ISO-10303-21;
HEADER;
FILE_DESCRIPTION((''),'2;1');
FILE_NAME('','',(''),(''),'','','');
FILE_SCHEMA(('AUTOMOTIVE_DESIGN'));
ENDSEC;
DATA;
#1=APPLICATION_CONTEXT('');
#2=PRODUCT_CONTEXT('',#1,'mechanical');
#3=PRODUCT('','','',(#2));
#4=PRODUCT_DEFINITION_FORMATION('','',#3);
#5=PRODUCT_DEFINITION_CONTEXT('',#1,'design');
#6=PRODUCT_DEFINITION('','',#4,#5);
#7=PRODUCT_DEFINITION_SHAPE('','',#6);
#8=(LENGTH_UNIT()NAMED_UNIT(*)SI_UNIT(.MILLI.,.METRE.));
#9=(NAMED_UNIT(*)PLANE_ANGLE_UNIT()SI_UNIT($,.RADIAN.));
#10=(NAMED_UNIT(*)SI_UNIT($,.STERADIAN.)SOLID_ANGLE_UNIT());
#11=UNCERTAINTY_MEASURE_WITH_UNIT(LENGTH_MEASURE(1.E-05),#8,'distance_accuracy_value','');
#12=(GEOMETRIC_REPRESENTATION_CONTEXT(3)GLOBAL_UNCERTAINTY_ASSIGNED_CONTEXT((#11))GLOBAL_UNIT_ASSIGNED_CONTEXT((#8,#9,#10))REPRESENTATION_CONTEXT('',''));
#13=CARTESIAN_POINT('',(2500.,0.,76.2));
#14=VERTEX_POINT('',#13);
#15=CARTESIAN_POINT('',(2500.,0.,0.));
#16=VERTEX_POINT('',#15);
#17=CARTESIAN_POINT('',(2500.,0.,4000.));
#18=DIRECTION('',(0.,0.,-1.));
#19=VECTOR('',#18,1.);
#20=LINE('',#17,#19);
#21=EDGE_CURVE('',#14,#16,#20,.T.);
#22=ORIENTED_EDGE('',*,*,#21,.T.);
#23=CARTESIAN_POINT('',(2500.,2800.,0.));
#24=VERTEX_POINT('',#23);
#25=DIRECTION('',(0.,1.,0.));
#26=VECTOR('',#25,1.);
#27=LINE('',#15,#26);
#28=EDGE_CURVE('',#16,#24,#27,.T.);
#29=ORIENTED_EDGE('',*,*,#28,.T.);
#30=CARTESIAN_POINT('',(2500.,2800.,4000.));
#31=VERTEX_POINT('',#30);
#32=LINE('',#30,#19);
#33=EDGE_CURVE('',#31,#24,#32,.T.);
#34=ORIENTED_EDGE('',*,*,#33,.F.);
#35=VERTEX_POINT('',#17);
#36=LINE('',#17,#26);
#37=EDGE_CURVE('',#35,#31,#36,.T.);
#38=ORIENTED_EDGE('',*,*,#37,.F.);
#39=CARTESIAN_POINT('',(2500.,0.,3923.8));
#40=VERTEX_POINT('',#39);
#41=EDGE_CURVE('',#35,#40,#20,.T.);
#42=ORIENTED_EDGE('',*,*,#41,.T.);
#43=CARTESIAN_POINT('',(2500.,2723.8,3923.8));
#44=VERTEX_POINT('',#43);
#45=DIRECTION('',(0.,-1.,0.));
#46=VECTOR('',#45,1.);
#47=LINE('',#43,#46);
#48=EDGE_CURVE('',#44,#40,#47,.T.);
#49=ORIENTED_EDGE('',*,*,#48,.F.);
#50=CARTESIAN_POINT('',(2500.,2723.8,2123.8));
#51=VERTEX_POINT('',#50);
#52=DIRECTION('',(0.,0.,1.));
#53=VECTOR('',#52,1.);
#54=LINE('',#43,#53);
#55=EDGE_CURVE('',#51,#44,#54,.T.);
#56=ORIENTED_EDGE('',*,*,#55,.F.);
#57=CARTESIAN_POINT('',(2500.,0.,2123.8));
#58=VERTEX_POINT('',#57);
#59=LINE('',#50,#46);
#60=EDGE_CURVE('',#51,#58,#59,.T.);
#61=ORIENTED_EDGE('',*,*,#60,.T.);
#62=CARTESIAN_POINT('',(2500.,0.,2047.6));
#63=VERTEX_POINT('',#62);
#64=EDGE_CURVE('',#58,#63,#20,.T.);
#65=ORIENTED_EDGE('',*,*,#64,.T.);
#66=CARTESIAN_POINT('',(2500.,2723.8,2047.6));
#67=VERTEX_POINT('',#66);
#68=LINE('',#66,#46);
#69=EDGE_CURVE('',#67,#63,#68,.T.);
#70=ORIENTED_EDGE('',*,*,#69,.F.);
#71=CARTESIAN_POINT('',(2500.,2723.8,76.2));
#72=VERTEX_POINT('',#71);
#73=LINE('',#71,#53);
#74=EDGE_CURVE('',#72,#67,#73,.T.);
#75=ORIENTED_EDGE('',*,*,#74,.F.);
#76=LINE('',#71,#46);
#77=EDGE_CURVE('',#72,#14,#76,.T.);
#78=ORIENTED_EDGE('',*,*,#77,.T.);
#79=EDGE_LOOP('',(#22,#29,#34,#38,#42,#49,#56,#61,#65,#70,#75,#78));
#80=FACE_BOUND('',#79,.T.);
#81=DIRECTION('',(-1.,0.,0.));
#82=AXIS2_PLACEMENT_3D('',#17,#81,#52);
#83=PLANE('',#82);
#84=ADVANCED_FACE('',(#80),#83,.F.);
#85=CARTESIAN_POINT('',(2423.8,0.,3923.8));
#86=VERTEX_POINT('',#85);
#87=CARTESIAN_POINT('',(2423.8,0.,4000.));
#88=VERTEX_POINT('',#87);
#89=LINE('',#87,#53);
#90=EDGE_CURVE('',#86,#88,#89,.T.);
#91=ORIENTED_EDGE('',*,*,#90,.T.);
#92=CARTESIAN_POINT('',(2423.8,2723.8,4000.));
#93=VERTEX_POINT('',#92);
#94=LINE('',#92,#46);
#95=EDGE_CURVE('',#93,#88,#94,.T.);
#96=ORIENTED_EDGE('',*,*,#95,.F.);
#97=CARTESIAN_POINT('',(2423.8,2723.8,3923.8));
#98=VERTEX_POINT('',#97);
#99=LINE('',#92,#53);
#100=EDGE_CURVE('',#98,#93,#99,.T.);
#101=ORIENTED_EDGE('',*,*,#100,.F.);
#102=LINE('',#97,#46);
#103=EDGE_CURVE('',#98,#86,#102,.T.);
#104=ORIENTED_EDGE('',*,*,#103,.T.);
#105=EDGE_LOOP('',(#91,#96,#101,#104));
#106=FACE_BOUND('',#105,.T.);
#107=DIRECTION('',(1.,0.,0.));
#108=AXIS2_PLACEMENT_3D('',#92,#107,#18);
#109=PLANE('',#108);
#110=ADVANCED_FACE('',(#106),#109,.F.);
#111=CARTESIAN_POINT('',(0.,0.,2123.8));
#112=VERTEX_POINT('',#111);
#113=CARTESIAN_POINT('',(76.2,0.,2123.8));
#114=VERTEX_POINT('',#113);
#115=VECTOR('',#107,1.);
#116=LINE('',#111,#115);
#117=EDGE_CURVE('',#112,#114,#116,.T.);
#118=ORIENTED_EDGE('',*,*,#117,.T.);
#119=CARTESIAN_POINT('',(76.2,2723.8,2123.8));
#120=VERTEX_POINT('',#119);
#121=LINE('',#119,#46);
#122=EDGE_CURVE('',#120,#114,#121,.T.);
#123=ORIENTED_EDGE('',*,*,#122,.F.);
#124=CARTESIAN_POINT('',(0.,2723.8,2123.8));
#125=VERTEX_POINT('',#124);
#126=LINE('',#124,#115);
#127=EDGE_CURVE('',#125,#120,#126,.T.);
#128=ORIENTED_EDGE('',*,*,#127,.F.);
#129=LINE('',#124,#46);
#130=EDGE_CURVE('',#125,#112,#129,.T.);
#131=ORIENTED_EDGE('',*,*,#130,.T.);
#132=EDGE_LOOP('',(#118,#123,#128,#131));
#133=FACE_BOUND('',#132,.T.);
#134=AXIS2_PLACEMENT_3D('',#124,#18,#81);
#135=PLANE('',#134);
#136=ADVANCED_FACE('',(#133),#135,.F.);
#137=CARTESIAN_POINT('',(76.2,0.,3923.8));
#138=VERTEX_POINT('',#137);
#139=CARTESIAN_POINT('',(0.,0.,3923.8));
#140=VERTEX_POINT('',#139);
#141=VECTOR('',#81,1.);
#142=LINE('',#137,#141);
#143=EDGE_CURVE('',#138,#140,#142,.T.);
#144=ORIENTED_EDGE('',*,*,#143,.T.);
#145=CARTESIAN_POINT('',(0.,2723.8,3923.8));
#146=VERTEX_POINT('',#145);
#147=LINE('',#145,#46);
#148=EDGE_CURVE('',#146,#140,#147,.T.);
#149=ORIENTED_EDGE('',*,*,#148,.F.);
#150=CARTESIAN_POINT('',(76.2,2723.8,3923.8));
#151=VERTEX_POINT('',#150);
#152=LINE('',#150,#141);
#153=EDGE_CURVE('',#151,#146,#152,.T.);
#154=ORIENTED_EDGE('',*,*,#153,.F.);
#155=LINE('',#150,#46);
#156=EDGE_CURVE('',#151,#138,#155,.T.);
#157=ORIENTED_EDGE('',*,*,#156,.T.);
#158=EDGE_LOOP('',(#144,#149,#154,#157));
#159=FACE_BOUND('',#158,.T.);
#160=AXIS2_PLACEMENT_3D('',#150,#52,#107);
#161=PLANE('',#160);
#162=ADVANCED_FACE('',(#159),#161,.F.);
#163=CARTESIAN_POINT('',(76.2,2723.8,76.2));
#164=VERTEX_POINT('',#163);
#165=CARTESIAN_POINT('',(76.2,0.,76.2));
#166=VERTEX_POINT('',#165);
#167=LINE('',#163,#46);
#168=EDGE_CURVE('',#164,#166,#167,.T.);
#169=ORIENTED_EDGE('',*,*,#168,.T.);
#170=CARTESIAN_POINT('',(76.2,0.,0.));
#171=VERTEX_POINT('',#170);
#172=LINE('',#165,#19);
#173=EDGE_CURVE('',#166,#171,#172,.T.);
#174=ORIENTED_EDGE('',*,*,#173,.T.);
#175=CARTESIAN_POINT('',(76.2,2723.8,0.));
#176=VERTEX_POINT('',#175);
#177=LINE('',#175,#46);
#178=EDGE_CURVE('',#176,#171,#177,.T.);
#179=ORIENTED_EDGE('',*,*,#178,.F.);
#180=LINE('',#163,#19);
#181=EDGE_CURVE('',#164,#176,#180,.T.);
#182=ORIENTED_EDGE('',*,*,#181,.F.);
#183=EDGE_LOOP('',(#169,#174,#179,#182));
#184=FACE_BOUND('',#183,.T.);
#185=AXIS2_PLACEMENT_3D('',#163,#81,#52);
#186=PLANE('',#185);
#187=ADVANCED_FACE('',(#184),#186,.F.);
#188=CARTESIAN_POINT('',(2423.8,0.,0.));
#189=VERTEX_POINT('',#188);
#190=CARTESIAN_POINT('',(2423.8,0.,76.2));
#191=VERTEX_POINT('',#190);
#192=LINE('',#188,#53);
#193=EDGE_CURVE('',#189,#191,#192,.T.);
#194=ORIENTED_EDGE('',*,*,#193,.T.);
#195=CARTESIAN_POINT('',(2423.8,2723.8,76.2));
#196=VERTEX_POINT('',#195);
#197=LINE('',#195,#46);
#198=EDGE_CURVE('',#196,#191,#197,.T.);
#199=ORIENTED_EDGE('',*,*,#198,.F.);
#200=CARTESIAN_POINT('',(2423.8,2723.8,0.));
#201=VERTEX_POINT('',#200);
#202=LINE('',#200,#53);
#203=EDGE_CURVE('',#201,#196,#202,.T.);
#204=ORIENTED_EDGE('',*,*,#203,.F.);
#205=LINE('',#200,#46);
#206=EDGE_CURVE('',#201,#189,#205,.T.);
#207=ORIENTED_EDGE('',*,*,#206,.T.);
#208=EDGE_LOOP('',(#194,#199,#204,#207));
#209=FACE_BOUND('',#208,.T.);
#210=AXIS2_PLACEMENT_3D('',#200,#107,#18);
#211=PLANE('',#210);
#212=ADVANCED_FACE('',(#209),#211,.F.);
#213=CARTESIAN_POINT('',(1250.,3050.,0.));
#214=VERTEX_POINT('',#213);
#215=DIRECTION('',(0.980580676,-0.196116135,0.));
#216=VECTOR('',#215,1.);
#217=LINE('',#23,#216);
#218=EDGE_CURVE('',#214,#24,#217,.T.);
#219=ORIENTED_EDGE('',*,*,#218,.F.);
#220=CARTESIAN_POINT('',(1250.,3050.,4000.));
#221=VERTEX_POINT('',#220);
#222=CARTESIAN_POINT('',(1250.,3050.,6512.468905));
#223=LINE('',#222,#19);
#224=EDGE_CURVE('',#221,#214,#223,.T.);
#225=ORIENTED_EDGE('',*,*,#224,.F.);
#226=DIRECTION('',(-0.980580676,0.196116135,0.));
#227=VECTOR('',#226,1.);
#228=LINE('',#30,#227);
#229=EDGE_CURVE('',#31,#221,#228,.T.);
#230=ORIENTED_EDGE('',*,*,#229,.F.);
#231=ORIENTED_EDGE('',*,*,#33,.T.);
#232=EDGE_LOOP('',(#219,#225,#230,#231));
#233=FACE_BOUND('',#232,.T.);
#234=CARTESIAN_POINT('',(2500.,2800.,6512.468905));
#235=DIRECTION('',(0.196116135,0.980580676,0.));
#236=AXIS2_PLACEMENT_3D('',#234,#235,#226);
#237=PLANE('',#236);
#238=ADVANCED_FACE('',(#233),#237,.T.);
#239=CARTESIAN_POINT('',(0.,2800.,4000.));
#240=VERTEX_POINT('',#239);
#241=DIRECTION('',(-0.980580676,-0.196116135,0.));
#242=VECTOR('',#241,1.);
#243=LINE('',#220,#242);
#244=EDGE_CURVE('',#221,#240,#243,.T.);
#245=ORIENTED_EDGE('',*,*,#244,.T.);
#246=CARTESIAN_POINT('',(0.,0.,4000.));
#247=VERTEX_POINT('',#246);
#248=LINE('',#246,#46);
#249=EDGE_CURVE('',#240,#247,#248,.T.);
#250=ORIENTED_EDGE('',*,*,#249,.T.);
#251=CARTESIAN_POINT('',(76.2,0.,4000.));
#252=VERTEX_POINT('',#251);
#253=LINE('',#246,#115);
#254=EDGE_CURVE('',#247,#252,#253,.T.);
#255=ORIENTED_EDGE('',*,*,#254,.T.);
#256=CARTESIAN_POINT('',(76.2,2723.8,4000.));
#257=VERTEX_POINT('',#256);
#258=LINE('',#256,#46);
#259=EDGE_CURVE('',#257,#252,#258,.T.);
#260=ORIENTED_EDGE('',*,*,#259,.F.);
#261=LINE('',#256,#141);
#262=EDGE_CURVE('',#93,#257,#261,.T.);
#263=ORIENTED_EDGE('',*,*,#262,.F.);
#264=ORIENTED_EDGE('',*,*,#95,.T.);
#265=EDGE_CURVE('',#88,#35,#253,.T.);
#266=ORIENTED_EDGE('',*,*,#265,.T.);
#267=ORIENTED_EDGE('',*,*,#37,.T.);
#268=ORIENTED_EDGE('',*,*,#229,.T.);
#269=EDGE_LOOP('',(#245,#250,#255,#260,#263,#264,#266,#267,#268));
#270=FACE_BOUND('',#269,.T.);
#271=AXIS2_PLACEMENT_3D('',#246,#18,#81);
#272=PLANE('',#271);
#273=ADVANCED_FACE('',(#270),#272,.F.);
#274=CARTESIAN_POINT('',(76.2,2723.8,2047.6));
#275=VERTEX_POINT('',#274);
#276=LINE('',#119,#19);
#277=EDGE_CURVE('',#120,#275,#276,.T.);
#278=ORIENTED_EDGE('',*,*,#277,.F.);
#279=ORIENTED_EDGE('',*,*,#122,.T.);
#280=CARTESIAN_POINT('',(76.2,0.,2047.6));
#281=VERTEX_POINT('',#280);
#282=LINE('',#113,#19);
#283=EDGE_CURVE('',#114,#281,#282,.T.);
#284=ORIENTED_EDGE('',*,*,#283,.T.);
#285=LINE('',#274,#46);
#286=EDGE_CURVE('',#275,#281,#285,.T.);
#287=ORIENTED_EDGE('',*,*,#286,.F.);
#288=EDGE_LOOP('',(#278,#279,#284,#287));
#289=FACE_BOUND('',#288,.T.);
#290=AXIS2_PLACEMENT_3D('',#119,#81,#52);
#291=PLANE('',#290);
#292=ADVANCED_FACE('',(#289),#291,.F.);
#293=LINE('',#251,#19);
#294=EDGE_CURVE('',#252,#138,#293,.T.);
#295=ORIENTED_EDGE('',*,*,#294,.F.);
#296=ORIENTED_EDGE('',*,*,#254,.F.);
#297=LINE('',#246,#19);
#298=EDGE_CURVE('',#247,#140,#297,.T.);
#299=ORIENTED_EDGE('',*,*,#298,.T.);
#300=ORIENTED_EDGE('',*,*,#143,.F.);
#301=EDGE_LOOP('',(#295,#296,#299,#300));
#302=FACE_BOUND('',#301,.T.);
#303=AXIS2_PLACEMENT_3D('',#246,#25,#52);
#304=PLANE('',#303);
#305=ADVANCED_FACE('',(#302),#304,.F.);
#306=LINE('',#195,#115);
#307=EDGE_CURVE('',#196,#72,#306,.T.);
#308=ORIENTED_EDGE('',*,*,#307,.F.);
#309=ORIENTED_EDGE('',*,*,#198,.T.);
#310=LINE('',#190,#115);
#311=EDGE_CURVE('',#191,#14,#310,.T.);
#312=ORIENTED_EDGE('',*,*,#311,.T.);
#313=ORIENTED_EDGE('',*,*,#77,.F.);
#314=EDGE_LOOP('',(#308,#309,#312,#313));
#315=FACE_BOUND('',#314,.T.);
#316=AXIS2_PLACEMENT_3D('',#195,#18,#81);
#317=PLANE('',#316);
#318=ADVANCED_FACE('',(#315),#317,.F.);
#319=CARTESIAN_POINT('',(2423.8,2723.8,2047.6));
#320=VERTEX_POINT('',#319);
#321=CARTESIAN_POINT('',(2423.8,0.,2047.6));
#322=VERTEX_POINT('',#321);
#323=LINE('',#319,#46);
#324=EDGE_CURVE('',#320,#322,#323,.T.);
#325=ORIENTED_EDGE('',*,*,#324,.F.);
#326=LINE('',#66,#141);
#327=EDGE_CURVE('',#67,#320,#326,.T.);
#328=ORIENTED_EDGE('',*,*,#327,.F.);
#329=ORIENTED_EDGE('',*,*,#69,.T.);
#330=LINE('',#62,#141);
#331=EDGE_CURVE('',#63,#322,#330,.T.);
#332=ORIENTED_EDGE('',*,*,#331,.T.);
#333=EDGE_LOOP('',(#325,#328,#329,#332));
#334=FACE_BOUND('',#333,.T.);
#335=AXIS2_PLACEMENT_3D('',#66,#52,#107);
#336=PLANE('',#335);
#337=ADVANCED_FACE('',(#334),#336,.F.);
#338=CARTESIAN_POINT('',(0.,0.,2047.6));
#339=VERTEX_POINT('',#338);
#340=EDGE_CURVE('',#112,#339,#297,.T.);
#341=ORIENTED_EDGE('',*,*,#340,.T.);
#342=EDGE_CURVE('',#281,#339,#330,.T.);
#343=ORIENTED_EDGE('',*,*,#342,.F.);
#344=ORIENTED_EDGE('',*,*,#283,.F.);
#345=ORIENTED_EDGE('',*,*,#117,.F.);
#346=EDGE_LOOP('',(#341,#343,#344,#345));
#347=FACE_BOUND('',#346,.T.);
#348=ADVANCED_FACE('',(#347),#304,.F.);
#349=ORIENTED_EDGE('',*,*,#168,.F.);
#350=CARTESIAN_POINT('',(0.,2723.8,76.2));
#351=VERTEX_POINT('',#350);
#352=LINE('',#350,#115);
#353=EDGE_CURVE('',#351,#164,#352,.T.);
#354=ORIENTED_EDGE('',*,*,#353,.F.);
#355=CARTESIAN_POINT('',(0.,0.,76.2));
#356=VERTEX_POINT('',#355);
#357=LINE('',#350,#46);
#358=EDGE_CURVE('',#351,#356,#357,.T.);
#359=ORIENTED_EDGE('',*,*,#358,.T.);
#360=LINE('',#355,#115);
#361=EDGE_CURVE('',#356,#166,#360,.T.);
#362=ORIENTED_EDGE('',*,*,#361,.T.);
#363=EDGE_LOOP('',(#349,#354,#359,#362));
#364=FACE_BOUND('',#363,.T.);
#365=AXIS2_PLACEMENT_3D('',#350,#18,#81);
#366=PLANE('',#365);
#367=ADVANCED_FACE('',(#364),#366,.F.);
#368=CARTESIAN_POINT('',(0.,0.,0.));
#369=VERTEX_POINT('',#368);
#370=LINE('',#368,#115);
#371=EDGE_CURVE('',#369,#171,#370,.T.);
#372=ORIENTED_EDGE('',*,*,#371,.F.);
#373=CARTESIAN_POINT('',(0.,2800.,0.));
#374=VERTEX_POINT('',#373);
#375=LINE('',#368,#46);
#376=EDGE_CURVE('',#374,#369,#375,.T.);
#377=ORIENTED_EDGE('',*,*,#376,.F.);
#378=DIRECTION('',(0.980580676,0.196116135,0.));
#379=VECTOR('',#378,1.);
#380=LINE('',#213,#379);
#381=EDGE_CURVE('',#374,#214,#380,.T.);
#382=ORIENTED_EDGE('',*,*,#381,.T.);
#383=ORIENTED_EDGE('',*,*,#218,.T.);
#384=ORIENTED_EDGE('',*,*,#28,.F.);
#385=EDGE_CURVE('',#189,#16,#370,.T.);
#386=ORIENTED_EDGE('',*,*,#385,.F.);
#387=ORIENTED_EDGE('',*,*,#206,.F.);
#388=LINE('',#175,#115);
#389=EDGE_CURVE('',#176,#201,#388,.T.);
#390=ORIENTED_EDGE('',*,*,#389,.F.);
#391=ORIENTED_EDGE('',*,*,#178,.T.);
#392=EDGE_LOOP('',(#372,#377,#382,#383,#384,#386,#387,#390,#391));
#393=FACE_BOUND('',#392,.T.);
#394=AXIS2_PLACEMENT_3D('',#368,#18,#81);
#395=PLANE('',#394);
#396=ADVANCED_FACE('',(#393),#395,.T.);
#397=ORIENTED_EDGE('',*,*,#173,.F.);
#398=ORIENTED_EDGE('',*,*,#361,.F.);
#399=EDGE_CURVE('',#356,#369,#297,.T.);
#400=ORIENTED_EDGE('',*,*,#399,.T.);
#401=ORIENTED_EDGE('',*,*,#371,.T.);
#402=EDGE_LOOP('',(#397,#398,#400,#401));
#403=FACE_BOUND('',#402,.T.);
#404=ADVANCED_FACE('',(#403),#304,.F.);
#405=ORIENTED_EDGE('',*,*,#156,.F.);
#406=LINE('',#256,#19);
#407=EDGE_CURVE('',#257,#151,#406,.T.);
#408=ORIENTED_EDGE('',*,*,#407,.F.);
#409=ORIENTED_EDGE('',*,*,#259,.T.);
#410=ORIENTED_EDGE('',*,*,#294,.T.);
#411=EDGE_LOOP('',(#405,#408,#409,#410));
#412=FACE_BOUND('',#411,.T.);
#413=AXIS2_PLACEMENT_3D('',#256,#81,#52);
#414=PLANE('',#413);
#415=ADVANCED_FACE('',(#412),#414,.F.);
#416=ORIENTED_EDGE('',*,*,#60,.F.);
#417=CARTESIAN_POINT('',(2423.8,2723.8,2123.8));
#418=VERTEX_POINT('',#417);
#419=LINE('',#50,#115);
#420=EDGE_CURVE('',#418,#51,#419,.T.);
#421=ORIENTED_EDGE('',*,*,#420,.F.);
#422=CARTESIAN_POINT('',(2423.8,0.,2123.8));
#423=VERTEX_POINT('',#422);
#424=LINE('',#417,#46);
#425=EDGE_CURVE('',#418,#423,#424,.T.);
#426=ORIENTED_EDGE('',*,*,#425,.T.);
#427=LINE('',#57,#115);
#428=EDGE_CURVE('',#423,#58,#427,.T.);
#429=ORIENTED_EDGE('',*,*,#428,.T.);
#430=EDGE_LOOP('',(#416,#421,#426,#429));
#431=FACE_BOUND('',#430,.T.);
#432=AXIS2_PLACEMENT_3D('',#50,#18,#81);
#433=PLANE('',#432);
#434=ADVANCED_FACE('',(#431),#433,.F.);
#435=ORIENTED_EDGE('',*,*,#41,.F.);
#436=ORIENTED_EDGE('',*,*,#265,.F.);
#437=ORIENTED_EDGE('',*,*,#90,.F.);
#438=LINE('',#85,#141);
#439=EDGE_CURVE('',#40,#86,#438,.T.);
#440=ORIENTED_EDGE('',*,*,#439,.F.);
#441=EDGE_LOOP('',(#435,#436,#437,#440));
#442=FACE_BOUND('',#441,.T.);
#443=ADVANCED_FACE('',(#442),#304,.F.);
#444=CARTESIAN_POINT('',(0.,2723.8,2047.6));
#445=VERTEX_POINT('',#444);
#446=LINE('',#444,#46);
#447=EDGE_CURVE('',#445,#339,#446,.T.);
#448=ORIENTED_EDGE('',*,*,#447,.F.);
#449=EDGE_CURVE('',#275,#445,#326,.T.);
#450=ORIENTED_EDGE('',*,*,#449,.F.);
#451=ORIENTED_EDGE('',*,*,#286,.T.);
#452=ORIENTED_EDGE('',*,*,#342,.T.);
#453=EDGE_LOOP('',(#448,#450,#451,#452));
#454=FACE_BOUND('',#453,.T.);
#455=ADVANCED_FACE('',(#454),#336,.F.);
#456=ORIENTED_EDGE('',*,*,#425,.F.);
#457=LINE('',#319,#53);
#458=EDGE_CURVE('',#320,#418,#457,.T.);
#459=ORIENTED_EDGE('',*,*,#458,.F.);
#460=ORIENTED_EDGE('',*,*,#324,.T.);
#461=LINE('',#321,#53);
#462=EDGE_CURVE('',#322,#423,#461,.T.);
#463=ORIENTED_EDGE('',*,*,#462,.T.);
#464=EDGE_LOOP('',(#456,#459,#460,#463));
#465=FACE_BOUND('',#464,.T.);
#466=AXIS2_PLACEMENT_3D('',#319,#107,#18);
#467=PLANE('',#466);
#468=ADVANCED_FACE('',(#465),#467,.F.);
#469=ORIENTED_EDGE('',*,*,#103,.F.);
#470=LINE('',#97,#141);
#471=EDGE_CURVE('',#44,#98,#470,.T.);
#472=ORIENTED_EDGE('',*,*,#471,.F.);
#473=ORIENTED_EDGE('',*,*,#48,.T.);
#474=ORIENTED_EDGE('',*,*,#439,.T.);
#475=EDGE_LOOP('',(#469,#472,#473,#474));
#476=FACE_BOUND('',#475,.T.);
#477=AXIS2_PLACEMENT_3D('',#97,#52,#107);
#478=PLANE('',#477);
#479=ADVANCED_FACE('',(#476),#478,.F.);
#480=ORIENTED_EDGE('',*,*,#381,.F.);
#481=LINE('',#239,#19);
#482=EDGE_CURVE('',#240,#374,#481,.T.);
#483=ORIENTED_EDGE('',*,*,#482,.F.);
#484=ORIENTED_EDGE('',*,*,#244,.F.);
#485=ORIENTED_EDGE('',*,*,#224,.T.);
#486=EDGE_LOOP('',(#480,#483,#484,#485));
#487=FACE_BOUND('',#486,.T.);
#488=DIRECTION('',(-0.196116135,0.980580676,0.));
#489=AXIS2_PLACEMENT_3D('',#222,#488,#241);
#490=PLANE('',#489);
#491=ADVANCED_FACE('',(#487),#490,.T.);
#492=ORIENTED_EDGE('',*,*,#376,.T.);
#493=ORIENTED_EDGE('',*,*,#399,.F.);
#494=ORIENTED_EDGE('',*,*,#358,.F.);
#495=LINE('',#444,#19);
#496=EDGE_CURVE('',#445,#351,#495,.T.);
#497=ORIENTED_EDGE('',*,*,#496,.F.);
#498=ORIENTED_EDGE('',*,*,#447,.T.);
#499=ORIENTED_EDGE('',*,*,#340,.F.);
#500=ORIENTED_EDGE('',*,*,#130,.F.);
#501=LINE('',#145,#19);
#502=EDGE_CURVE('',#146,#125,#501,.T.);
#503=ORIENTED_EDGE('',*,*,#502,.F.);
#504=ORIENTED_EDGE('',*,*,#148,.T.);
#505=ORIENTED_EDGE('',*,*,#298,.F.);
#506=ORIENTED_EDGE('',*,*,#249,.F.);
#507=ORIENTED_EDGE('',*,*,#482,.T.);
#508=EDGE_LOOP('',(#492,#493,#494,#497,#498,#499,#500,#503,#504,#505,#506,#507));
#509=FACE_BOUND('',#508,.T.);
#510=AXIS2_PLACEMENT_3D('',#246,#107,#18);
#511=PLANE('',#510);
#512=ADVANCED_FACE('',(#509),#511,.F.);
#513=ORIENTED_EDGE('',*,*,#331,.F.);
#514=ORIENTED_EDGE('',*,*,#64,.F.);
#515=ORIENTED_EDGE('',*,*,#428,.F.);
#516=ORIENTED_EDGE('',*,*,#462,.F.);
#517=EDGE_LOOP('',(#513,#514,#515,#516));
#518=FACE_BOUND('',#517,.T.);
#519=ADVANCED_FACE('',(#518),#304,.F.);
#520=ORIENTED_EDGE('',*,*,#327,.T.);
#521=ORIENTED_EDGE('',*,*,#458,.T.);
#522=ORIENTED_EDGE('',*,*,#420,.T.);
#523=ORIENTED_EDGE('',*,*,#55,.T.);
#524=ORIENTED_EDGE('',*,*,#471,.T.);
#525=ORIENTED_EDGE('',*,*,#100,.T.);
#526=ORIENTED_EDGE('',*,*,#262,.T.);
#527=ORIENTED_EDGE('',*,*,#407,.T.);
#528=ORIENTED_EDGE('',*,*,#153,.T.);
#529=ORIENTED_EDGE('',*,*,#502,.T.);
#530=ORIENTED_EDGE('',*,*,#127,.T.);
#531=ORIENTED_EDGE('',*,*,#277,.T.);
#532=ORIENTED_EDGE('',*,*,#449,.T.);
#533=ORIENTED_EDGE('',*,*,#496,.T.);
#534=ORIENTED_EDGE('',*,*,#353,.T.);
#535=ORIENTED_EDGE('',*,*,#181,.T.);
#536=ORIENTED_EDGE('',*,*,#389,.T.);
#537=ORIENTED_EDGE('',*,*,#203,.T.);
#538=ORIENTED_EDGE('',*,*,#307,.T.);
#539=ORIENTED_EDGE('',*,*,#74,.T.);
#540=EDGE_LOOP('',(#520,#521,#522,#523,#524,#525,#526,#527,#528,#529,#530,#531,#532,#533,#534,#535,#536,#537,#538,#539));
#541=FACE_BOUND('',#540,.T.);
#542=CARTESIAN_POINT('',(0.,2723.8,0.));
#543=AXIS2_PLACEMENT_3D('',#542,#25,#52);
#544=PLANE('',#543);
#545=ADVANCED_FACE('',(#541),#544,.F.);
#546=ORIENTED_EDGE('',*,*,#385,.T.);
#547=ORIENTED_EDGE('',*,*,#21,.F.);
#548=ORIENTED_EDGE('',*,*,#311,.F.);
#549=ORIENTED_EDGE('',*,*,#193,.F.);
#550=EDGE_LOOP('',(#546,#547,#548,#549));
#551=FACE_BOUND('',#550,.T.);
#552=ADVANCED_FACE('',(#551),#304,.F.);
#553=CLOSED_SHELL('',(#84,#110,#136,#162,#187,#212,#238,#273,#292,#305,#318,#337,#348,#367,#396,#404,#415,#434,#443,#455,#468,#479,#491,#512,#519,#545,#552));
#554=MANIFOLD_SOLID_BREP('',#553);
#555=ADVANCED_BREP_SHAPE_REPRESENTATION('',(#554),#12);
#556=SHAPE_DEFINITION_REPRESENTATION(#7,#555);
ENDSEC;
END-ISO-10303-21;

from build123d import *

# Parameters (mm, degrees)
CROQUIS1_W              = 2500
CROQUIS1_H              = 2800
SALIENTE_EXTRUIR1_DEPTH = 4000
CORTAR_EXTRUIR1_DEPTH   = 2723.8
CORTAR_EXTRUIR2_DEPTH   = 2723.8
SALIENTE_EXTRUIR2_DEPTH = 4000


with BuildPart() as part:
    # Croquis1 → Saliente-Extruir1 (new body)
    with BuildSketch(Plane.XY):
        with Locations((1250, 1400)):
            Rectangle(CROQUIS1_W, CROQUIS1_H)
    extrude(amount=SALIENTE_EXTRUIR1_DEPTH)

    # Croquis2 → Cortar-Extruir1 (cut)
    with BuildSketch(Plane.XZ):
        Polygon((76.2, 4000), (76.2, 3923.8), (0, 3923.8), (0, 2123.8), (76.2, 2123.8), (76.2, 2047.6), (2423.8, 2047.6), (2423.8, 2123.8), (2500, 2123.8), (2500, 3923.8), (2423.8, 3923.8), (2423.8, 4000), align=None)
    extrude(amount=-CORTAR_EXTRUIR1_DEPTH, mode=Mode.SUBTRACT)

    # Croquis3 → Cortar-Extruir2 (cut)
    with BuildSketch(Plane.XZ):
        Polygon((0, 76.2), (76.2, 76.2), (76.2, 0), (2423.8, 0), (2423.8, 76.2), (2500, 76.2), (2500, 2047.6), (0, 2047.6), align=None)
    extrude(amount=-CORTAR_EXTRUIR2_DEPTH, mode=Mode.SUBTRACT)

    # Croquis4 → Saliente-Extruir2 (add)
    with BuildSketch(Plane(origin=(0, 0, 0), x_dir=(-1, 0, 0), z_dir=(0, 0, -1))):
        Polygon((-2500, 2800), (-1250, 3050), (0, 2800), align=None)
    extrude(amount=-SALIENTE_EXTRUIR2_DEPTH)


solid = part.part
